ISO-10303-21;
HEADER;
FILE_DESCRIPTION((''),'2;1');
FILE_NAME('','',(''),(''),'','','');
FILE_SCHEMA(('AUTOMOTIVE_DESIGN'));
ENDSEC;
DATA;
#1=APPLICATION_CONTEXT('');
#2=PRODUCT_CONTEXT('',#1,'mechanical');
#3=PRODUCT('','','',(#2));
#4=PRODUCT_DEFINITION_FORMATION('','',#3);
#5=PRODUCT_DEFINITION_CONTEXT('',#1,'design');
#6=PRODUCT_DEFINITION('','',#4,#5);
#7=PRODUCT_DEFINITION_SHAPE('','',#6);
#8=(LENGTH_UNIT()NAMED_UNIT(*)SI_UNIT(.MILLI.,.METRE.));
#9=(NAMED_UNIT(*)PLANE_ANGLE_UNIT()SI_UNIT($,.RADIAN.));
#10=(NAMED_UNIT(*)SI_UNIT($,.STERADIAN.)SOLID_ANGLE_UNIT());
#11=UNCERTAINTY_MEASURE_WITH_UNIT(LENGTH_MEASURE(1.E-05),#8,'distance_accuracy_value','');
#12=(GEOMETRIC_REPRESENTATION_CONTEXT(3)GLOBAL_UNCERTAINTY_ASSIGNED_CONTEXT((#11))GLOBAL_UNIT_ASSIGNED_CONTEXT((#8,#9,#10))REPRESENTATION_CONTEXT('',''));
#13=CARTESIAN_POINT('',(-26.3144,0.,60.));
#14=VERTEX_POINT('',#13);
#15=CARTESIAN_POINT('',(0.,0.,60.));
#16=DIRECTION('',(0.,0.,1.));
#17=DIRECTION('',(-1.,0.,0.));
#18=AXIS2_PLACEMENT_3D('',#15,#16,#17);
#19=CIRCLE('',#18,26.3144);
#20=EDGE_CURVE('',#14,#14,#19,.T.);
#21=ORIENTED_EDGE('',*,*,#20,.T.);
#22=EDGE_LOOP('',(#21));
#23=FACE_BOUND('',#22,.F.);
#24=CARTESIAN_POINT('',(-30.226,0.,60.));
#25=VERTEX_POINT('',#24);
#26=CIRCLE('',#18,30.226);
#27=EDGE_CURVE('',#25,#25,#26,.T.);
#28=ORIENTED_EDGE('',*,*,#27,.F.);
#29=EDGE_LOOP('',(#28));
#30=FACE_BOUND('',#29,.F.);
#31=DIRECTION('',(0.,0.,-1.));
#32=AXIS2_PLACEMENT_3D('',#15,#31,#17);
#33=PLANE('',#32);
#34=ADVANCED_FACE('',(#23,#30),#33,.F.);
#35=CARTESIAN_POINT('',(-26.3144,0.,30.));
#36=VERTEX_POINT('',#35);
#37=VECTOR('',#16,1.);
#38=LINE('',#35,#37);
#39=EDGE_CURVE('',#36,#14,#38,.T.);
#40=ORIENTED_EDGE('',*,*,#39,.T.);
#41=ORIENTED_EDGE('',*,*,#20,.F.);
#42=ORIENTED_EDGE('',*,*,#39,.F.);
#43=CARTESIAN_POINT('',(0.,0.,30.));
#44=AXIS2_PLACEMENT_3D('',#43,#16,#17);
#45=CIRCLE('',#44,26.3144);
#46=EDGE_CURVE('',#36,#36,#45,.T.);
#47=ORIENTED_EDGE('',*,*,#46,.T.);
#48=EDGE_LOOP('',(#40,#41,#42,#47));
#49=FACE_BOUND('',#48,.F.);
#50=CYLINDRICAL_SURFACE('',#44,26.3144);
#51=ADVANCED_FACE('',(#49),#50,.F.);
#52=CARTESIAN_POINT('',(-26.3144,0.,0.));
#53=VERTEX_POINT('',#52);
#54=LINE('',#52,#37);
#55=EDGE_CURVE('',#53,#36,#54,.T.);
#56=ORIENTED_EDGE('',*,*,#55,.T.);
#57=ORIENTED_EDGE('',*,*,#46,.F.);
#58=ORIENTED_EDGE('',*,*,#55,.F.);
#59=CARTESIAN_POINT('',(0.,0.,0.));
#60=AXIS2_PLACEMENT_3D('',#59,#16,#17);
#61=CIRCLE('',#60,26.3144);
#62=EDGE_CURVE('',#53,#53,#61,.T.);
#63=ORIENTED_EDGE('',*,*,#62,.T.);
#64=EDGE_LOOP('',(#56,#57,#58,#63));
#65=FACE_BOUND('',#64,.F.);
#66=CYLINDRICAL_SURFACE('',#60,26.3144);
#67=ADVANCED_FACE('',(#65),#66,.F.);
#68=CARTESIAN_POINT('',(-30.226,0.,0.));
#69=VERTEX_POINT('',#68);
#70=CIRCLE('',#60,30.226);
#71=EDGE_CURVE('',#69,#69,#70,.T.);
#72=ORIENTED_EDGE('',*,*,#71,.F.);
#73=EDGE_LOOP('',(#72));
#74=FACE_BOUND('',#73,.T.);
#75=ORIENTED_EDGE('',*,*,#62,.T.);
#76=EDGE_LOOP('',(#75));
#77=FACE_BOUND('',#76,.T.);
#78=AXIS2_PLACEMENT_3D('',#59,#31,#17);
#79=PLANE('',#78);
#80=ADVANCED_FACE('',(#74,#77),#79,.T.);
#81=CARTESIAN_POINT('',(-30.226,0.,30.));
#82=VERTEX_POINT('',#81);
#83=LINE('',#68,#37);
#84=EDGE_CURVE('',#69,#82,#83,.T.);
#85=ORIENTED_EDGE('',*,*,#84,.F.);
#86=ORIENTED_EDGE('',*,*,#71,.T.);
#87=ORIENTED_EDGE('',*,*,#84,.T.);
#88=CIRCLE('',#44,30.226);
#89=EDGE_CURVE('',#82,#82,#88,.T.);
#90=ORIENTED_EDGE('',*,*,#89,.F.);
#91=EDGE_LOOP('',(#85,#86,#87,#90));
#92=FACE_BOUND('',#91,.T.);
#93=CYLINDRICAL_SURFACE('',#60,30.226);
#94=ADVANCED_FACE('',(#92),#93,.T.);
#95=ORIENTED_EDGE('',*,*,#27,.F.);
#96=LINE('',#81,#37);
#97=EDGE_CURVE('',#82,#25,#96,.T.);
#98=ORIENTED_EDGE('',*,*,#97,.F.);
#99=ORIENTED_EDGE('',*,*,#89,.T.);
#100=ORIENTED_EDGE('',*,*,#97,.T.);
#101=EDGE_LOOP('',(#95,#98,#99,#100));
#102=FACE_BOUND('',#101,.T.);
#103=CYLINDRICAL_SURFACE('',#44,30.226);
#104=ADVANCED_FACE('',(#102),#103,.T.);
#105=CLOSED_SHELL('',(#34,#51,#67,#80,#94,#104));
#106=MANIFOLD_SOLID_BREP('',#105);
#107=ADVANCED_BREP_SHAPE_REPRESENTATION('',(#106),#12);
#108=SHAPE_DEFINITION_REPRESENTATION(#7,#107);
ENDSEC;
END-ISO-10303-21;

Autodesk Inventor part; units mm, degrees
ref_plane "Plano inicial" through (0, 0, 0) normal (0, 0, 1) x (1, 0, 0)
ref_plane "Plano final" through (0, 0, 60) normal (0, 0, 1) x (1, 0, 0)
sketch "Boceto" plane through (0, 0, 0) normal (0, 0, -1) x (-1, 0, 0)
  circle A0 centre (0, 0) radius 26.3144
  circle A1 centre (0, 0) radius 30.226
  dimension "d0" = 60.452
  dimension "d1" = 3.9116
sketch "Sketch3" plane through (0, 0, 0) normal (0, 0, 1) x (1, 0, 0)
  line L0 (0, 0) -> (10, 0)
ref_plane "Work Plane3" through (0, 0, 0) normal (0, -1, 0) x (1, 0, 0)
sketch "Sketch4" plane through (0, 0, 0) normal (0, -1, 0) x (1, 0, 0)
  line L0 (-2, 0) -> (12, 0)
  line L1 (-42.3164, 60) -> (42.3164, 60)
  dimension "d7" = 60
ref_plane "Plano de trabajo de orientación" through (0, 0, 0) normal (0, 0, -1) x (-1, 0, 0)
sketch3d "Trayectoria de barrido"
  line L0 (0, 0, 0) -> (0, 0, 30)
  line L1 (0, 0, 30) -> (0, 0, 60)
sweep "Cuerpo" add profiles "Boceto" path "Trayectoria de barrido"
equation "\"d0\" = G_H"
equation "\"d1\" = G_T"
equation "\"G_H\" = 60.452"
equation "\"G_T\" = 3.9116"
equation "\"G_L\" = d7"
equation "\"G_OFFSET_START\" = 0"
equation "\"G_OFFSET_END\" = 0"
properties part number "ANSI - 2 x 0.154 - 2,362" material "Acero, suave"
